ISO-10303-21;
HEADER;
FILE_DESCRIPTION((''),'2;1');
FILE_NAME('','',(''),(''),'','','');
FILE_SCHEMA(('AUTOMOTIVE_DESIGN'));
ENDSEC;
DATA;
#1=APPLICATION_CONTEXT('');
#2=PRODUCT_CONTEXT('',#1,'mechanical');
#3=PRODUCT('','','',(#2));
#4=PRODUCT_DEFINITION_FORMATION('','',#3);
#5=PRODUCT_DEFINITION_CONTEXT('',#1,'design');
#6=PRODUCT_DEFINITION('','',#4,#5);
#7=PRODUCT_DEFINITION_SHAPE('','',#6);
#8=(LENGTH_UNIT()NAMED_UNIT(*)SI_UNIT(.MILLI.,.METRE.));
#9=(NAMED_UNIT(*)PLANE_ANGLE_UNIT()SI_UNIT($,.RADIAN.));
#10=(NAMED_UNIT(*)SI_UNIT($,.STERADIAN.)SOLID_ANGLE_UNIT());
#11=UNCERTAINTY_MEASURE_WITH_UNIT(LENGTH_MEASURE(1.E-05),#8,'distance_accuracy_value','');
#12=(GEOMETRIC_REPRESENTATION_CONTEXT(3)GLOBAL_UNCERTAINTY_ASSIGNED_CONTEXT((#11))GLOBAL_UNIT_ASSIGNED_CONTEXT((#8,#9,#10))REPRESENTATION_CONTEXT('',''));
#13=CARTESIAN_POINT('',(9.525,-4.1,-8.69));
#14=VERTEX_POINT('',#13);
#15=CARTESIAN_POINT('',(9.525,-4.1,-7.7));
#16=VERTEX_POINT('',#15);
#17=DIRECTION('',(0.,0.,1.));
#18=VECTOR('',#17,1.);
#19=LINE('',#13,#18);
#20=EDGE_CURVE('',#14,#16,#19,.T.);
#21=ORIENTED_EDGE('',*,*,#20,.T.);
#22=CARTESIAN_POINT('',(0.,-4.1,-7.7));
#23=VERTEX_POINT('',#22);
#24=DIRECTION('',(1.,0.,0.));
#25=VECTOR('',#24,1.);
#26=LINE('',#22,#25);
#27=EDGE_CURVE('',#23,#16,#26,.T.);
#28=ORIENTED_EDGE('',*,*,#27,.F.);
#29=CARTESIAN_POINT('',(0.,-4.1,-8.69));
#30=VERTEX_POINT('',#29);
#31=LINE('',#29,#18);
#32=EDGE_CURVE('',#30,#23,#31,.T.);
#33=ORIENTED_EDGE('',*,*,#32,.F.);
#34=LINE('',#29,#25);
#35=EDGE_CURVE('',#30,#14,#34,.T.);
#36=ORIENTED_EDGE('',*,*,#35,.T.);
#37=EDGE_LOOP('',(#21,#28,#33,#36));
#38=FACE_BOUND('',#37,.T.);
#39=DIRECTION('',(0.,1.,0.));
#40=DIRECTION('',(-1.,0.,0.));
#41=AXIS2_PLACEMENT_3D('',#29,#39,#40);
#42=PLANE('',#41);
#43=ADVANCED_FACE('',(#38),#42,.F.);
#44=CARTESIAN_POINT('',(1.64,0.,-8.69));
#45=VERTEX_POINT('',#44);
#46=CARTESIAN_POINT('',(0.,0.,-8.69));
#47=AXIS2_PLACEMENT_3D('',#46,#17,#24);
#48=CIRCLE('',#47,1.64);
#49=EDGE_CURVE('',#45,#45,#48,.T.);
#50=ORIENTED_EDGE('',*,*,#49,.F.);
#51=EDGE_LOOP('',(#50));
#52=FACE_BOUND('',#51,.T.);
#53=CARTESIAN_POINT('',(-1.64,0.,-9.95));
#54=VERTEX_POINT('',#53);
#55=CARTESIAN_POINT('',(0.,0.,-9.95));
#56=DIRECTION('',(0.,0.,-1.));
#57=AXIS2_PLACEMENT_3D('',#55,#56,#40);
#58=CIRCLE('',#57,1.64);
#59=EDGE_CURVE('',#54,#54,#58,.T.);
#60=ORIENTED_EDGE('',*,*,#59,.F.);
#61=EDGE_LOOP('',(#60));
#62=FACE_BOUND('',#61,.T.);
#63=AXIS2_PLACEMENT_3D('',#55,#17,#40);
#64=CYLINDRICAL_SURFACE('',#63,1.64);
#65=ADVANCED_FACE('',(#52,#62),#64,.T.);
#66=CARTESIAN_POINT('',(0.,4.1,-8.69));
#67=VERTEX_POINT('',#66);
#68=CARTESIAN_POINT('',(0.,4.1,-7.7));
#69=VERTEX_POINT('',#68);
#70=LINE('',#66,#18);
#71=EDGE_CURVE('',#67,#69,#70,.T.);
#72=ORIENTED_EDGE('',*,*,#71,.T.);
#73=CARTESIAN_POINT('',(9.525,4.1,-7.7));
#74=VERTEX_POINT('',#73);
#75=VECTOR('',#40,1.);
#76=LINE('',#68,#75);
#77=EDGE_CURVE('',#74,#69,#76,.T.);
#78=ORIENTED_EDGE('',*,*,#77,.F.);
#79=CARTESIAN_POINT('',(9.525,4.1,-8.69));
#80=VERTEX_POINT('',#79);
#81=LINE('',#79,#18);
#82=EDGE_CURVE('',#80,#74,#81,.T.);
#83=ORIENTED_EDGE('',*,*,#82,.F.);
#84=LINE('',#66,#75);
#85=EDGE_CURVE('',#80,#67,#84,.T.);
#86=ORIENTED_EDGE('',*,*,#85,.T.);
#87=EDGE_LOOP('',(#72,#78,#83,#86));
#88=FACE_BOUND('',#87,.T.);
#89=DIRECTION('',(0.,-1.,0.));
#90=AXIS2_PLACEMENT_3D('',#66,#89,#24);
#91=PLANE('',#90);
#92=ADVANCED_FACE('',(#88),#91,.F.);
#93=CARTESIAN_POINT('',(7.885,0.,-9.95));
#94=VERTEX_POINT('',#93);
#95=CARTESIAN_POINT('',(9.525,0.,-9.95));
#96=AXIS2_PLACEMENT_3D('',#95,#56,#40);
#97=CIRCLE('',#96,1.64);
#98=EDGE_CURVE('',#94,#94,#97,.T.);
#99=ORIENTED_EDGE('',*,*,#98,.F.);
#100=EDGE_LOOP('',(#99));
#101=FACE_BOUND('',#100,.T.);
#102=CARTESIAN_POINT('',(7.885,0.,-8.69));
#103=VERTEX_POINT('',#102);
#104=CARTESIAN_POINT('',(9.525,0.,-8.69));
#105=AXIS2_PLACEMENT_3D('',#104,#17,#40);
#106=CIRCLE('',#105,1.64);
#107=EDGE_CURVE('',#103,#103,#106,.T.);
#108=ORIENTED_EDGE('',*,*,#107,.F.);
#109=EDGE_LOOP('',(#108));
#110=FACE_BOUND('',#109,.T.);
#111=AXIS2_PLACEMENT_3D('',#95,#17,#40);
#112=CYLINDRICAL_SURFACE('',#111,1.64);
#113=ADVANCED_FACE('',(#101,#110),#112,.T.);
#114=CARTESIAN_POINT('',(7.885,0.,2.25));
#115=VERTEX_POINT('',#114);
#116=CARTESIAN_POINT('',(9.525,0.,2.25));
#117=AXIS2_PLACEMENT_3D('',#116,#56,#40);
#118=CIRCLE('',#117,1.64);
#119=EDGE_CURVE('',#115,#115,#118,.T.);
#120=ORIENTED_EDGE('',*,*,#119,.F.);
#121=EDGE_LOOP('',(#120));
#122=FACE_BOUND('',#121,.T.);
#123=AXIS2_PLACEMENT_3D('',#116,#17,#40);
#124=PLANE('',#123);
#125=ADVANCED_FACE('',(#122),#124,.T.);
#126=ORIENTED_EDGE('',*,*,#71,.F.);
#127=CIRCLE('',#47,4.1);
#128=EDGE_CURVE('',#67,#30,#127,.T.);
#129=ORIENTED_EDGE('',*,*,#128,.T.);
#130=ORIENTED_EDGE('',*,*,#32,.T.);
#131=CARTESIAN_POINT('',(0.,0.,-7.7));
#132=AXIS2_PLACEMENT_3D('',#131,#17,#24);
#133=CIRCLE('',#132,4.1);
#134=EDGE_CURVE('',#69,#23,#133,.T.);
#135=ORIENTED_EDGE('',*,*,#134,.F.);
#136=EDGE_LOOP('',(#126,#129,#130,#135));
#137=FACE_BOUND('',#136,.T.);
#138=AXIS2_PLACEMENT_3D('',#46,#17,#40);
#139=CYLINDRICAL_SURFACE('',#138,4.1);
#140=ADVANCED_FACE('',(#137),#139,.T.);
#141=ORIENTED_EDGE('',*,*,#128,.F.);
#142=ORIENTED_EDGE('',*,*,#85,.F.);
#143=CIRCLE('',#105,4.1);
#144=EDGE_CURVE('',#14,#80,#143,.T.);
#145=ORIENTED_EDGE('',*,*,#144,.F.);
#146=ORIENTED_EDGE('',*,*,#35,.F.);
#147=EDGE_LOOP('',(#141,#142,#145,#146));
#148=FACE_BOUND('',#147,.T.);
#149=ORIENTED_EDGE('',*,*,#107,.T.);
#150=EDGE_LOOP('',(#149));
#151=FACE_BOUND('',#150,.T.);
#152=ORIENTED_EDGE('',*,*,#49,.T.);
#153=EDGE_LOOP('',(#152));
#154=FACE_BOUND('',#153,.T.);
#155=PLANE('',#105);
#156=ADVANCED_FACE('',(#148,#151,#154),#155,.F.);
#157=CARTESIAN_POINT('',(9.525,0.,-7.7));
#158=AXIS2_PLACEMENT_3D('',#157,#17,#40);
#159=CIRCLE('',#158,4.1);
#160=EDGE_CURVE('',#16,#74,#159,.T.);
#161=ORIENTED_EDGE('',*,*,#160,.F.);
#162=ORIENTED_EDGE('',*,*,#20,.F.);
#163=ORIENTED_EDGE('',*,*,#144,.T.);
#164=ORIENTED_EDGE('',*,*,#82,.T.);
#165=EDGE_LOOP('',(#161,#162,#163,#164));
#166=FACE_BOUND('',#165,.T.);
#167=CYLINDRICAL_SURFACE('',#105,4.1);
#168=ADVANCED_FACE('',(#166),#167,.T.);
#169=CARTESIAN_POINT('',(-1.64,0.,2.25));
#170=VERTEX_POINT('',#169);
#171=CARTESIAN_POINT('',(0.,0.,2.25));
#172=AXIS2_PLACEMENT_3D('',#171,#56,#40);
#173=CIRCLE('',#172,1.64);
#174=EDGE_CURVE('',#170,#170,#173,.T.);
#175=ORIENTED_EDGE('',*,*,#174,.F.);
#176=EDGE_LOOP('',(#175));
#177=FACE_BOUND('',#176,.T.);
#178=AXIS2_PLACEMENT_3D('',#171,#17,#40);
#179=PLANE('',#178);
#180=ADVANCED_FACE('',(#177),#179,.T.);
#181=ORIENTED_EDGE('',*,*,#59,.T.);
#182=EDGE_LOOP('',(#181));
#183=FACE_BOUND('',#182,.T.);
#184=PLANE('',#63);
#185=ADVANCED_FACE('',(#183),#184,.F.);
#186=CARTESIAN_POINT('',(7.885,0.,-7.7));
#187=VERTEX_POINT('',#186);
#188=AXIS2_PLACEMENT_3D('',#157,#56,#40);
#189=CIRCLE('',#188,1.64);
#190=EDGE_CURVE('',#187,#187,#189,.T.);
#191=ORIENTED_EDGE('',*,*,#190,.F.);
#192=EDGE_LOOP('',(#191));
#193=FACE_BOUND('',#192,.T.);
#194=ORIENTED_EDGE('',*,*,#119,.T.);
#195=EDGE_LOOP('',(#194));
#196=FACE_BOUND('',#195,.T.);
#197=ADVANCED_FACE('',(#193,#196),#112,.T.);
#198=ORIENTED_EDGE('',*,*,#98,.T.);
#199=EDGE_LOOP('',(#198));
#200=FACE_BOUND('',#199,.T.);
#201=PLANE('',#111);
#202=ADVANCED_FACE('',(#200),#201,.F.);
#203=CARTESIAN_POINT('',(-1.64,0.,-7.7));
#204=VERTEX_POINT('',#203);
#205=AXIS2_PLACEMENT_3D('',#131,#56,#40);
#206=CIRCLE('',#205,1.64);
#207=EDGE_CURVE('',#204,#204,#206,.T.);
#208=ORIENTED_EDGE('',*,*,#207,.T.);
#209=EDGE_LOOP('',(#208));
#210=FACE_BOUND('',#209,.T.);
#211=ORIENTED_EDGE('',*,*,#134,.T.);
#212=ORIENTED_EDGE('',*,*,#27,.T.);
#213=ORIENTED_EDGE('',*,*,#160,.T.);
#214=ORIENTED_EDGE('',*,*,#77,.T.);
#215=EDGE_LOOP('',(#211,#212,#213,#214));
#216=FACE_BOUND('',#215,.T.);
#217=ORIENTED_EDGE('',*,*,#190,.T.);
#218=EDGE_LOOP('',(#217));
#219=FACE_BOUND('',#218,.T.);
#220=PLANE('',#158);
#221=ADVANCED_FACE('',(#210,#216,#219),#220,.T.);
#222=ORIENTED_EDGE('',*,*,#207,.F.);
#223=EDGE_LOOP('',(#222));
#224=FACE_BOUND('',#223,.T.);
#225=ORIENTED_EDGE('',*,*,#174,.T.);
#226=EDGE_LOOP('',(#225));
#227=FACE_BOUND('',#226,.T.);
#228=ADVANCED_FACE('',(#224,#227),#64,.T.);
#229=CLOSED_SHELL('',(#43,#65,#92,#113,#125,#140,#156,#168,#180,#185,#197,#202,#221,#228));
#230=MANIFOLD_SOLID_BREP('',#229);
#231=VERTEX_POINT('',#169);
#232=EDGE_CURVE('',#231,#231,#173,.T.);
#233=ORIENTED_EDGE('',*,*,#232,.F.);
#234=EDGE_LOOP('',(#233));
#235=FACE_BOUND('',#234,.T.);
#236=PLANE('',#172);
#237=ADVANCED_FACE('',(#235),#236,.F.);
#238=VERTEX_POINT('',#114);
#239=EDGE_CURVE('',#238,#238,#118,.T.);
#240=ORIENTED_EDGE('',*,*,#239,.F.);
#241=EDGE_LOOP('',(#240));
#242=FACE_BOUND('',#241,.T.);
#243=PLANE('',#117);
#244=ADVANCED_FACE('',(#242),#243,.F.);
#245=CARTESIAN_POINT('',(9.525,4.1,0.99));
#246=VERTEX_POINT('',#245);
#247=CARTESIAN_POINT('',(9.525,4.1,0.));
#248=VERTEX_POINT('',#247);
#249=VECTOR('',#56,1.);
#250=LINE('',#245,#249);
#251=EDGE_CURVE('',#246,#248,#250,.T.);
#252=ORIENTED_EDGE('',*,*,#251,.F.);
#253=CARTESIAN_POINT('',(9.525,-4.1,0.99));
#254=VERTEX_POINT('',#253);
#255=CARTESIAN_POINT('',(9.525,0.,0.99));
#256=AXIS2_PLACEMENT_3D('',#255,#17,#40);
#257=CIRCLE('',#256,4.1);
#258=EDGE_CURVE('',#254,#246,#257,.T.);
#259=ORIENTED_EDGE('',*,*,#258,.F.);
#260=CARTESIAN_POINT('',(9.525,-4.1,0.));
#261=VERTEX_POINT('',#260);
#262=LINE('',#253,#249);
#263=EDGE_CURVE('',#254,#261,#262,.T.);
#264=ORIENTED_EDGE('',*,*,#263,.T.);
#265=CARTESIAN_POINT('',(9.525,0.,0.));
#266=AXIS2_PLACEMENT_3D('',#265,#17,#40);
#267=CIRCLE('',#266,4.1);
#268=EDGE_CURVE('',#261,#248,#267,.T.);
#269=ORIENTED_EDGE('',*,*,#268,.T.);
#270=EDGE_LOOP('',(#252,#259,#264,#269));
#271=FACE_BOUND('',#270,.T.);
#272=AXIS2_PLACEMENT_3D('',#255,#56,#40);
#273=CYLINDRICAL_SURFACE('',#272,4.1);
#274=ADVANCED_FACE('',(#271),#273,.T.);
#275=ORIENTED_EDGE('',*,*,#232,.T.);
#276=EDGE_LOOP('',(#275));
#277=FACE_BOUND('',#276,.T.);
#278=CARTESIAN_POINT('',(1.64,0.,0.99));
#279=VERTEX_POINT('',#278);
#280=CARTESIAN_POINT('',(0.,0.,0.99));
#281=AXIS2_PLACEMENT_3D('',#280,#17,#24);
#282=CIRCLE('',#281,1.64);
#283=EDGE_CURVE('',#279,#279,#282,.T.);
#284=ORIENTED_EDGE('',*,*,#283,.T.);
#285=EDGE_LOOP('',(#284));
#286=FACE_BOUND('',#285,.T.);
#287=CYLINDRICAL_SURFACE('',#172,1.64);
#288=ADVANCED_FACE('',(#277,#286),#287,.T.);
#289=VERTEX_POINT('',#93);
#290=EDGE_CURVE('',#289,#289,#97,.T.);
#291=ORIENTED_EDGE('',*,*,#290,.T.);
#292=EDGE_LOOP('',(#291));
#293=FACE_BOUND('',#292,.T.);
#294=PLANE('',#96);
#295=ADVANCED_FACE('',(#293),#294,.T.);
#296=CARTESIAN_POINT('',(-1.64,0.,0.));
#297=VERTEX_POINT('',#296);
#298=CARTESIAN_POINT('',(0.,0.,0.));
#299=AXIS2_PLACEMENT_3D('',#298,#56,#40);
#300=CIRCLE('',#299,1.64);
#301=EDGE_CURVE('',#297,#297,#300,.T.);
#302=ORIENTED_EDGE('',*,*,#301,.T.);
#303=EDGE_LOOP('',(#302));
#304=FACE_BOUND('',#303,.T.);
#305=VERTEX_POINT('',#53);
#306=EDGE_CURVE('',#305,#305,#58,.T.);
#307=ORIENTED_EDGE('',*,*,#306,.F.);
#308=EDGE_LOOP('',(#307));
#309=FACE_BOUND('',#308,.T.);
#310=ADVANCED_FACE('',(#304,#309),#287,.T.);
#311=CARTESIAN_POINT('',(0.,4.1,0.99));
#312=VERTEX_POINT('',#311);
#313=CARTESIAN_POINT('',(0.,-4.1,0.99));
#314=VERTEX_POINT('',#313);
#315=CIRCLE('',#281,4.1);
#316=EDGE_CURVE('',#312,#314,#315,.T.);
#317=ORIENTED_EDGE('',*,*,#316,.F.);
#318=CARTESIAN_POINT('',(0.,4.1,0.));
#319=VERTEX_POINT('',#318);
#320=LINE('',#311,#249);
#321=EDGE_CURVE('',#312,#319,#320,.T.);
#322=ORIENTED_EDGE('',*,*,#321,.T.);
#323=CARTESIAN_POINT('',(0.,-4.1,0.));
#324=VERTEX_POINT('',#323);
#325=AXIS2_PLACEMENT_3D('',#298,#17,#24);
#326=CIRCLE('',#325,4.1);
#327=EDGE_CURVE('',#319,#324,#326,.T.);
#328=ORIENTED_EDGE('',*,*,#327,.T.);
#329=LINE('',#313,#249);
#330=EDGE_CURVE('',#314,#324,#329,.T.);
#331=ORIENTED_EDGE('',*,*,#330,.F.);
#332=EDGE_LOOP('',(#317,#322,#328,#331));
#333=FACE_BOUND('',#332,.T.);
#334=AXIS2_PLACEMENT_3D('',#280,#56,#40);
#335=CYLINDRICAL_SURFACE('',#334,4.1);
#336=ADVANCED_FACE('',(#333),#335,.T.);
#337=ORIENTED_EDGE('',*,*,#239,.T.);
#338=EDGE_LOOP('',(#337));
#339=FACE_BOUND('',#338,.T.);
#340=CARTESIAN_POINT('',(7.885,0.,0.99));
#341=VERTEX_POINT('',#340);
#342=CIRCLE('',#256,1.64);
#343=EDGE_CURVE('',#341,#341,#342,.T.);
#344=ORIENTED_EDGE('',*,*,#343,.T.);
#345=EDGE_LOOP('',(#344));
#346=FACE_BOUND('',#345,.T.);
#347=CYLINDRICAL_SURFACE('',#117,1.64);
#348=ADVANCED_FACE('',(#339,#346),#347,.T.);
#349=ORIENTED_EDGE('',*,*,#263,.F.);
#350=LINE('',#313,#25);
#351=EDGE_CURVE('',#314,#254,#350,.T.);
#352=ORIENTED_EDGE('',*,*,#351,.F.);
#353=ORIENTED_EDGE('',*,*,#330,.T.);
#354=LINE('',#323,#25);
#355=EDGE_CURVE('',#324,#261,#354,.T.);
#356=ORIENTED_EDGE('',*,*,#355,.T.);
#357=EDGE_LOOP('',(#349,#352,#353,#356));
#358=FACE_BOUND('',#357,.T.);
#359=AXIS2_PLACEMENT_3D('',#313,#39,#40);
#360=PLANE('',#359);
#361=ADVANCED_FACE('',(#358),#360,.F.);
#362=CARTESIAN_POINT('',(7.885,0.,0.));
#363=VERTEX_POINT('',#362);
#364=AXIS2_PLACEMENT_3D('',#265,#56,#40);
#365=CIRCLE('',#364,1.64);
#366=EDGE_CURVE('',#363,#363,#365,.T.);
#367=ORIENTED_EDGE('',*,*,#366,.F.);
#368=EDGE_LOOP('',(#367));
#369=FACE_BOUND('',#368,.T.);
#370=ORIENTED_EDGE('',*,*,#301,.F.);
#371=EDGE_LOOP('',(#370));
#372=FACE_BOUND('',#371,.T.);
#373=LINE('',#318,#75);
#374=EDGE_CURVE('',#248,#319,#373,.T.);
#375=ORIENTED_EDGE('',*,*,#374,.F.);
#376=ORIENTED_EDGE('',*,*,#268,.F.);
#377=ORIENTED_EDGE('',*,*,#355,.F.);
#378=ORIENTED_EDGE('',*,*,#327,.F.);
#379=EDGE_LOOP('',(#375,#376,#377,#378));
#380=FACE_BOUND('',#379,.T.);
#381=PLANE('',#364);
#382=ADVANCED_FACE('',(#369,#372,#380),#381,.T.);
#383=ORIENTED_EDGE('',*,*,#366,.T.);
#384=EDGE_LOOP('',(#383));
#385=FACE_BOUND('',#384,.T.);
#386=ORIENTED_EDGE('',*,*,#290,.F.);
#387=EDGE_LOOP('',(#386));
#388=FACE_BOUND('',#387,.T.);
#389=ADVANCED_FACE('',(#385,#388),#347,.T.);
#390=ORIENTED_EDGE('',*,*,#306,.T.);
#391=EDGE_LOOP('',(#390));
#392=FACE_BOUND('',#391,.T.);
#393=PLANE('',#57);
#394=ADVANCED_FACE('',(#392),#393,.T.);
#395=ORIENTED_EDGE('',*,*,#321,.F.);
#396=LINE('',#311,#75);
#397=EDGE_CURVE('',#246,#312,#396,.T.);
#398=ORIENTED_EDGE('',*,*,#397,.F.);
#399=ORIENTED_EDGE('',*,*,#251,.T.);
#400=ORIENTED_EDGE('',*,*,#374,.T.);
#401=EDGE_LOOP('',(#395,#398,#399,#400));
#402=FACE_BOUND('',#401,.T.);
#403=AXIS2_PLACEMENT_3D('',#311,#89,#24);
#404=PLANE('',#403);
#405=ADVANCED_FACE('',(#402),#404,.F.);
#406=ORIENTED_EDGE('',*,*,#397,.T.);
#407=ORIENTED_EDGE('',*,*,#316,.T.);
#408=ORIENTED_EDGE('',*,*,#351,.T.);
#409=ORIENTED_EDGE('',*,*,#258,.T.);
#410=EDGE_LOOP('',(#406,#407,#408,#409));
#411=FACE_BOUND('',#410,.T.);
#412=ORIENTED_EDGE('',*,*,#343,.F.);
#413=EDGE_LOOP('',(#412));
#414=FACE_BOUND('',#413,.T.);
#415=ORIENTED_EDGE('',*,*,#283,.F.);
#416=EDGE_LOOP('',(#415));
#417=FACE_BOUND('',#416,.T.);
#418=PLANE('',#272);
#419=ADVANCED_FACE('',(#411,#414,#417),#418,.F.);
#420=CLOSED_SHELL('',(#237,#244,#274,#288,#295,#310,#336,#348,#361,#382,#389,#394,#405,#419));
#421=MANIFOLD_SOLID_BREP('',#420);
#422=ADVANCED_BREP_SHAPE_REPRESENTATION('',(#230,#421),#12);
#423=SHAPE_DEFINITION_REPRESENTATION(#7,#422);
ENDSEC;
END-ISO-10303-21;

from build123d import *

# Parameters (mm, degrees)
SKETCH1_R                = 1.64
BOSS_EXTRUDE1_DEPTH      = 0.99
BOSS_EXTRUDE2_DEPTH      = 9.95
BOSS_EXTRUDE2_DEPTH_BACK = 2.25
SKETCH2_R                = 1.64


with BuildPart() as part:
    # Sketch1 → Boss-Extrude1 (new body)
    with BuildSketch(Plane.XY):
        with BuildLine():
            Line((0, 4.1), (9.525, 4.1))
            ThreePointArc((9.525, 4.1), (13.625, 0), (9.525, -4.1))
            Line((9.525, -4.1), (0, -4.1))
            ThreePointArc((0, -4.1), (-4.1, 0), (0, 4.1))
        make_face()
        Circle(SKETCH1_R, mode=Mode.SUBTRACT)
        with Locations(Location((9.525, 0, 0), (0, 0, 180))):
            Circle(SKETCH1_R, mode=Mode.SUBTRACT)
    extrude(amount=BOSS_EXTRUDE1_DEPTH)

    # Sketch2 → Boss-Extrude2 (add, two sides: drawn at the far end of the back side and taken through both)
    with BuildSketch(Plane(origin=(0, 0, 0), x_dir=(-1, 0, 0), z_dir=(0, 0, -1)).offset(-BOSS_EXTRUDE2_DEPTH_BACK)):
        with Locations((-9.525, 0)):
            Circle(SKETCH2_R)
        Circle(SKETCH2_R)
    extrude(amount=BOSS_EXTRUDE2_DEPTH + BOSS_EXTRUDE2_DEPTH_BACK)


with BuildPart() as body_2:
    # Mirror1: mirrored copy
    add(part.part.mirror(Plane(origin=(0, 0, -3.85), x_dir=(1, 0, 0), z_dir=(0, 0, -1))))


solid = Compound([part.part, body_2.part])
